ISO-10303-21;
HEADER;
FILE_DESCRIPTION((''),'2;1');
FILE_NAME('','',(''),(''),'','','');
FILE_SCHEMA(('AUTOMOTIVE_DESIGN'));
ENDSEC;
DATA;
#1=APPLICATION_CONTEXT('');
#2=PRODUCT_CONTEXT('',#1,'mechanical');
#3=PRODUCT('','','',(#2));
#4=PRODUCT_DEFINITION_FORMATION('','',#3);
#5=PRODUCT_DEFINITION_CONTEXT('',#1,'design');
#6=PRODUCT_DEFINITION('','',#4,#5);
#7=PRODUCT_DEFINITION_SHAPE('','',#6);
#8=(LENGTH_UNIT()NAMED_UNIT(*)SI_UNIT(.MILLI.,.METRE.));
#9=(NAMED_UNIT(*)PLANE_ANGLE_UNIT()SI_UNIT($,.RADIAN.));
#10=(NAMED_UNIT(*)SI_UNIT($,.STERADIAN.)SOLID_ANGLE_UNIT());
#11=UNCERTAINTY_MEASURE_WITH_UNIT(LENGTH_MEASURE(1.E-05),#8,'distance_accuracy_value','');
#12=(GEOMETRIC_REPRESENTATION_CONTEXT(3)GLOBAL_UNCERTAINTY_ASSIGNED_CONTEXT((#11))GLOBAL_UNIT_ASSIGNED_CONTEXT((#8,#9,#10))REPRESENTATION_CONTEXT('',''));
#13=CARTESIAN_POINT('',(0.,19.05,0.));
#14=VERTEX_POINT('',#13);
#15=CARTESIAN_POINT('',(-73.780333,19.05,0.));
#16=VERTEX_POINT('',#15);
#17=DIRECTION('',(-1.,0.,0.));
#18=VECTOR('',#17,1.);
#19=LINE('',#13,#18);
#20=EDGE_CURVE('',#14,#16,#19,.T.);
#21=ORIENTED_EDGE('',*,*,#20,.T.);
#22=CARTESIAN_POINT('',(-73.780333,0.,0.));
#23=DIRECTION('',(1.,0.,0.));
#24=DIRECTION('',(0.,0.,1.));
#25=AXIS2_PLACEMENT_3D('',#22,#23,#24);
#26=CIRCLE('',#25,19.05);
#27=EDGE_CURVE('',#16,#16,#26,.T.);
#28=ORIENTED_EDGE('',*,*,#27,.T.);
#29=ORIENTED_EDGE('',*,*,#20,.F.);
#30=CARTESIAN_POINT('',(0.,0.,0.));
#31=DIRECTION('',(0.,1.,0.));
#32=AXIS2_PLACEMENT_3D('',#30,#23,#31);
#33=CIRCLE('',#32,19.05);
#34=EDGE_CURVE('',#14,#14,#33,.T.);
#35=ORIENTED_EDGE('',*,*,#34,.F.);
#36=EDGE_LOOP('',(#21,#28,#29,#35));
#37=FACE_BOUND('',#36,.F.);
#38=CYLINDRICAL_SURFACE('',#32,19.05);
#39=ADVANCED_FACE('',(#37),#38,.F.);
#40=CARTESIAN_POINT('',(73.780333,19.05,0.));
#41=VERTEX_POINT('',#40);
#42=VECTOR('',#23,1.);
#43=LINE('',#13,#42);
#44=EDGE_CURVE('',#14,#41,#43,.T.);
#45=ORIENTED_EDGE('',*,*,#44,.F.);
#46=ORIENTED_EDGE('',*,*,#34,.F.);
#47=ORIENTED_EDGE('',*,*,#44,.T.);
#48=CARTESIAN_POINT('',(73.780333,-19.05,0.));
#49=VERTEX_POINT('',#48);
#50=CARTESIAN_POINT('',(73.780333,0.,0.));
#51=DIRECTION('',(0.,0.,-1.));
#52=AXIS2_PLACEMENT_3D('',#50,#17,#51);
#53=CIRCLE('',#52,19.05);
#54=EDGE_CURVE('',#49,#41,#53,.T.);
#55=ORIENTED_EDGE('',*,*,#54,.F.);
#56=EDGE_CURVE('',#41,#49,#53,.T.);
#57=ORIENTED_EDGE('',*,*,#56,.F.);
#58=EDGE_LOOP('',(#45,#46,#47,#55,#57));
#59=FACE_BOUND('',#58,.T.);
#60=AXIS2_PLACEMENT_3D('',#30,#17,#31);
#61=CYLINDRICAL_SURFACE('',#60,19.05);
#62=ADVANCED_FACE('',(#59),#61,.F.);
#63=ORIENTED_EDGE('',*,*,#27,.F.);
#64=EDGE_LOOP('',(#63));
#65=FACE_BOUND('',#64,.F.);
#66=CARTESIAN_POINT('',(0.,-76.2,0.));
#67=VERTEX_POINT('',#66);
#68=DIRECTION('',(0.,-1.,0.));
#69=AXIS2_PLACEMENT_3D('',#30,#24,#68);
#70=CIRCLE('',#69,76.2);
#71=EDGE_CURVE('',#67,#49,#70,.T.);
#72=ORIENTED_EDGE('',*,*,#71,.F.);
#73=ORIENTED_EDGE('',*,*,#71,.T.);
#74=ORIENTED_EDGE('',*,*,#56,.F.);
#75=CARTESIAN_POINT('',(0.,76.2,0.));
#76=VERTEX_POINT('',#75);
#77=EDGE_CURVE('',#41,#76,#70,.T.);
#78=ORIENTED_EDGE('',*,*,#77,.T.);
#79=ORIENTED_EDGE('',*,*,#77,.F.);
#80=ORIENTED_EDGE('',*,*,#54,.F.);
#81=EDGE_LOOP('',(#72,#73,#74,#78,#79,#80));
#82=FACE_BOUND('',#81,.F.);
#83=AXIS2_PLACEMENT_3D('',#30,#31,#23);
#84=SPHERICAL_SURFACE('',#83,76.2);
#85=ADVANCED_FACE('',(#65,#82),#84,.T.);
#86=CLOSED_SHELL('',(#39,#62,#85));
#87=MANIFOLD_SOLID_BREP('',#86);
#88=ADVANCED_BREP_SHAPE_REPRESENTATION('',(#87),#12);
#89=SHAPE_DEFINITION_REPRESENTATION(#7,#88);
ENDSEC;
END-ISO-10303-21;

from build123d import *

# Parameters (mm, degrees)
F2_R          = 19.05
F3_DEPTH      = 76.201
F3_DEPTH_BACK = 76.201


with BuildPart() as f1:
    # F0 (on Top) → F1 (revolve)
    with BuildSketch(Plane.XY):
        with BuildLine():
            ThreePointArc((0, -76.2), (76.2, 0), (0, 76.2))
            Line((0, 76.2), (0, -76.2))
        make_face()
    revolve(axis=Axis((0, 0, 0), (0, -1, 0)))

    # F2 (on Right) → F3 (cut, two sides)
    with BuildSketch(Plane.YZ) as f3_sk:
        Circle(F2_R)
    extrude(amount=-F3_DEPTH, mode=Mode.SUBTRACT)
    extrude(f3_sk.sketch, amount=F3_DEPTH_BACK, mode=Mode.SUBTRACT)


solid = f1.part
